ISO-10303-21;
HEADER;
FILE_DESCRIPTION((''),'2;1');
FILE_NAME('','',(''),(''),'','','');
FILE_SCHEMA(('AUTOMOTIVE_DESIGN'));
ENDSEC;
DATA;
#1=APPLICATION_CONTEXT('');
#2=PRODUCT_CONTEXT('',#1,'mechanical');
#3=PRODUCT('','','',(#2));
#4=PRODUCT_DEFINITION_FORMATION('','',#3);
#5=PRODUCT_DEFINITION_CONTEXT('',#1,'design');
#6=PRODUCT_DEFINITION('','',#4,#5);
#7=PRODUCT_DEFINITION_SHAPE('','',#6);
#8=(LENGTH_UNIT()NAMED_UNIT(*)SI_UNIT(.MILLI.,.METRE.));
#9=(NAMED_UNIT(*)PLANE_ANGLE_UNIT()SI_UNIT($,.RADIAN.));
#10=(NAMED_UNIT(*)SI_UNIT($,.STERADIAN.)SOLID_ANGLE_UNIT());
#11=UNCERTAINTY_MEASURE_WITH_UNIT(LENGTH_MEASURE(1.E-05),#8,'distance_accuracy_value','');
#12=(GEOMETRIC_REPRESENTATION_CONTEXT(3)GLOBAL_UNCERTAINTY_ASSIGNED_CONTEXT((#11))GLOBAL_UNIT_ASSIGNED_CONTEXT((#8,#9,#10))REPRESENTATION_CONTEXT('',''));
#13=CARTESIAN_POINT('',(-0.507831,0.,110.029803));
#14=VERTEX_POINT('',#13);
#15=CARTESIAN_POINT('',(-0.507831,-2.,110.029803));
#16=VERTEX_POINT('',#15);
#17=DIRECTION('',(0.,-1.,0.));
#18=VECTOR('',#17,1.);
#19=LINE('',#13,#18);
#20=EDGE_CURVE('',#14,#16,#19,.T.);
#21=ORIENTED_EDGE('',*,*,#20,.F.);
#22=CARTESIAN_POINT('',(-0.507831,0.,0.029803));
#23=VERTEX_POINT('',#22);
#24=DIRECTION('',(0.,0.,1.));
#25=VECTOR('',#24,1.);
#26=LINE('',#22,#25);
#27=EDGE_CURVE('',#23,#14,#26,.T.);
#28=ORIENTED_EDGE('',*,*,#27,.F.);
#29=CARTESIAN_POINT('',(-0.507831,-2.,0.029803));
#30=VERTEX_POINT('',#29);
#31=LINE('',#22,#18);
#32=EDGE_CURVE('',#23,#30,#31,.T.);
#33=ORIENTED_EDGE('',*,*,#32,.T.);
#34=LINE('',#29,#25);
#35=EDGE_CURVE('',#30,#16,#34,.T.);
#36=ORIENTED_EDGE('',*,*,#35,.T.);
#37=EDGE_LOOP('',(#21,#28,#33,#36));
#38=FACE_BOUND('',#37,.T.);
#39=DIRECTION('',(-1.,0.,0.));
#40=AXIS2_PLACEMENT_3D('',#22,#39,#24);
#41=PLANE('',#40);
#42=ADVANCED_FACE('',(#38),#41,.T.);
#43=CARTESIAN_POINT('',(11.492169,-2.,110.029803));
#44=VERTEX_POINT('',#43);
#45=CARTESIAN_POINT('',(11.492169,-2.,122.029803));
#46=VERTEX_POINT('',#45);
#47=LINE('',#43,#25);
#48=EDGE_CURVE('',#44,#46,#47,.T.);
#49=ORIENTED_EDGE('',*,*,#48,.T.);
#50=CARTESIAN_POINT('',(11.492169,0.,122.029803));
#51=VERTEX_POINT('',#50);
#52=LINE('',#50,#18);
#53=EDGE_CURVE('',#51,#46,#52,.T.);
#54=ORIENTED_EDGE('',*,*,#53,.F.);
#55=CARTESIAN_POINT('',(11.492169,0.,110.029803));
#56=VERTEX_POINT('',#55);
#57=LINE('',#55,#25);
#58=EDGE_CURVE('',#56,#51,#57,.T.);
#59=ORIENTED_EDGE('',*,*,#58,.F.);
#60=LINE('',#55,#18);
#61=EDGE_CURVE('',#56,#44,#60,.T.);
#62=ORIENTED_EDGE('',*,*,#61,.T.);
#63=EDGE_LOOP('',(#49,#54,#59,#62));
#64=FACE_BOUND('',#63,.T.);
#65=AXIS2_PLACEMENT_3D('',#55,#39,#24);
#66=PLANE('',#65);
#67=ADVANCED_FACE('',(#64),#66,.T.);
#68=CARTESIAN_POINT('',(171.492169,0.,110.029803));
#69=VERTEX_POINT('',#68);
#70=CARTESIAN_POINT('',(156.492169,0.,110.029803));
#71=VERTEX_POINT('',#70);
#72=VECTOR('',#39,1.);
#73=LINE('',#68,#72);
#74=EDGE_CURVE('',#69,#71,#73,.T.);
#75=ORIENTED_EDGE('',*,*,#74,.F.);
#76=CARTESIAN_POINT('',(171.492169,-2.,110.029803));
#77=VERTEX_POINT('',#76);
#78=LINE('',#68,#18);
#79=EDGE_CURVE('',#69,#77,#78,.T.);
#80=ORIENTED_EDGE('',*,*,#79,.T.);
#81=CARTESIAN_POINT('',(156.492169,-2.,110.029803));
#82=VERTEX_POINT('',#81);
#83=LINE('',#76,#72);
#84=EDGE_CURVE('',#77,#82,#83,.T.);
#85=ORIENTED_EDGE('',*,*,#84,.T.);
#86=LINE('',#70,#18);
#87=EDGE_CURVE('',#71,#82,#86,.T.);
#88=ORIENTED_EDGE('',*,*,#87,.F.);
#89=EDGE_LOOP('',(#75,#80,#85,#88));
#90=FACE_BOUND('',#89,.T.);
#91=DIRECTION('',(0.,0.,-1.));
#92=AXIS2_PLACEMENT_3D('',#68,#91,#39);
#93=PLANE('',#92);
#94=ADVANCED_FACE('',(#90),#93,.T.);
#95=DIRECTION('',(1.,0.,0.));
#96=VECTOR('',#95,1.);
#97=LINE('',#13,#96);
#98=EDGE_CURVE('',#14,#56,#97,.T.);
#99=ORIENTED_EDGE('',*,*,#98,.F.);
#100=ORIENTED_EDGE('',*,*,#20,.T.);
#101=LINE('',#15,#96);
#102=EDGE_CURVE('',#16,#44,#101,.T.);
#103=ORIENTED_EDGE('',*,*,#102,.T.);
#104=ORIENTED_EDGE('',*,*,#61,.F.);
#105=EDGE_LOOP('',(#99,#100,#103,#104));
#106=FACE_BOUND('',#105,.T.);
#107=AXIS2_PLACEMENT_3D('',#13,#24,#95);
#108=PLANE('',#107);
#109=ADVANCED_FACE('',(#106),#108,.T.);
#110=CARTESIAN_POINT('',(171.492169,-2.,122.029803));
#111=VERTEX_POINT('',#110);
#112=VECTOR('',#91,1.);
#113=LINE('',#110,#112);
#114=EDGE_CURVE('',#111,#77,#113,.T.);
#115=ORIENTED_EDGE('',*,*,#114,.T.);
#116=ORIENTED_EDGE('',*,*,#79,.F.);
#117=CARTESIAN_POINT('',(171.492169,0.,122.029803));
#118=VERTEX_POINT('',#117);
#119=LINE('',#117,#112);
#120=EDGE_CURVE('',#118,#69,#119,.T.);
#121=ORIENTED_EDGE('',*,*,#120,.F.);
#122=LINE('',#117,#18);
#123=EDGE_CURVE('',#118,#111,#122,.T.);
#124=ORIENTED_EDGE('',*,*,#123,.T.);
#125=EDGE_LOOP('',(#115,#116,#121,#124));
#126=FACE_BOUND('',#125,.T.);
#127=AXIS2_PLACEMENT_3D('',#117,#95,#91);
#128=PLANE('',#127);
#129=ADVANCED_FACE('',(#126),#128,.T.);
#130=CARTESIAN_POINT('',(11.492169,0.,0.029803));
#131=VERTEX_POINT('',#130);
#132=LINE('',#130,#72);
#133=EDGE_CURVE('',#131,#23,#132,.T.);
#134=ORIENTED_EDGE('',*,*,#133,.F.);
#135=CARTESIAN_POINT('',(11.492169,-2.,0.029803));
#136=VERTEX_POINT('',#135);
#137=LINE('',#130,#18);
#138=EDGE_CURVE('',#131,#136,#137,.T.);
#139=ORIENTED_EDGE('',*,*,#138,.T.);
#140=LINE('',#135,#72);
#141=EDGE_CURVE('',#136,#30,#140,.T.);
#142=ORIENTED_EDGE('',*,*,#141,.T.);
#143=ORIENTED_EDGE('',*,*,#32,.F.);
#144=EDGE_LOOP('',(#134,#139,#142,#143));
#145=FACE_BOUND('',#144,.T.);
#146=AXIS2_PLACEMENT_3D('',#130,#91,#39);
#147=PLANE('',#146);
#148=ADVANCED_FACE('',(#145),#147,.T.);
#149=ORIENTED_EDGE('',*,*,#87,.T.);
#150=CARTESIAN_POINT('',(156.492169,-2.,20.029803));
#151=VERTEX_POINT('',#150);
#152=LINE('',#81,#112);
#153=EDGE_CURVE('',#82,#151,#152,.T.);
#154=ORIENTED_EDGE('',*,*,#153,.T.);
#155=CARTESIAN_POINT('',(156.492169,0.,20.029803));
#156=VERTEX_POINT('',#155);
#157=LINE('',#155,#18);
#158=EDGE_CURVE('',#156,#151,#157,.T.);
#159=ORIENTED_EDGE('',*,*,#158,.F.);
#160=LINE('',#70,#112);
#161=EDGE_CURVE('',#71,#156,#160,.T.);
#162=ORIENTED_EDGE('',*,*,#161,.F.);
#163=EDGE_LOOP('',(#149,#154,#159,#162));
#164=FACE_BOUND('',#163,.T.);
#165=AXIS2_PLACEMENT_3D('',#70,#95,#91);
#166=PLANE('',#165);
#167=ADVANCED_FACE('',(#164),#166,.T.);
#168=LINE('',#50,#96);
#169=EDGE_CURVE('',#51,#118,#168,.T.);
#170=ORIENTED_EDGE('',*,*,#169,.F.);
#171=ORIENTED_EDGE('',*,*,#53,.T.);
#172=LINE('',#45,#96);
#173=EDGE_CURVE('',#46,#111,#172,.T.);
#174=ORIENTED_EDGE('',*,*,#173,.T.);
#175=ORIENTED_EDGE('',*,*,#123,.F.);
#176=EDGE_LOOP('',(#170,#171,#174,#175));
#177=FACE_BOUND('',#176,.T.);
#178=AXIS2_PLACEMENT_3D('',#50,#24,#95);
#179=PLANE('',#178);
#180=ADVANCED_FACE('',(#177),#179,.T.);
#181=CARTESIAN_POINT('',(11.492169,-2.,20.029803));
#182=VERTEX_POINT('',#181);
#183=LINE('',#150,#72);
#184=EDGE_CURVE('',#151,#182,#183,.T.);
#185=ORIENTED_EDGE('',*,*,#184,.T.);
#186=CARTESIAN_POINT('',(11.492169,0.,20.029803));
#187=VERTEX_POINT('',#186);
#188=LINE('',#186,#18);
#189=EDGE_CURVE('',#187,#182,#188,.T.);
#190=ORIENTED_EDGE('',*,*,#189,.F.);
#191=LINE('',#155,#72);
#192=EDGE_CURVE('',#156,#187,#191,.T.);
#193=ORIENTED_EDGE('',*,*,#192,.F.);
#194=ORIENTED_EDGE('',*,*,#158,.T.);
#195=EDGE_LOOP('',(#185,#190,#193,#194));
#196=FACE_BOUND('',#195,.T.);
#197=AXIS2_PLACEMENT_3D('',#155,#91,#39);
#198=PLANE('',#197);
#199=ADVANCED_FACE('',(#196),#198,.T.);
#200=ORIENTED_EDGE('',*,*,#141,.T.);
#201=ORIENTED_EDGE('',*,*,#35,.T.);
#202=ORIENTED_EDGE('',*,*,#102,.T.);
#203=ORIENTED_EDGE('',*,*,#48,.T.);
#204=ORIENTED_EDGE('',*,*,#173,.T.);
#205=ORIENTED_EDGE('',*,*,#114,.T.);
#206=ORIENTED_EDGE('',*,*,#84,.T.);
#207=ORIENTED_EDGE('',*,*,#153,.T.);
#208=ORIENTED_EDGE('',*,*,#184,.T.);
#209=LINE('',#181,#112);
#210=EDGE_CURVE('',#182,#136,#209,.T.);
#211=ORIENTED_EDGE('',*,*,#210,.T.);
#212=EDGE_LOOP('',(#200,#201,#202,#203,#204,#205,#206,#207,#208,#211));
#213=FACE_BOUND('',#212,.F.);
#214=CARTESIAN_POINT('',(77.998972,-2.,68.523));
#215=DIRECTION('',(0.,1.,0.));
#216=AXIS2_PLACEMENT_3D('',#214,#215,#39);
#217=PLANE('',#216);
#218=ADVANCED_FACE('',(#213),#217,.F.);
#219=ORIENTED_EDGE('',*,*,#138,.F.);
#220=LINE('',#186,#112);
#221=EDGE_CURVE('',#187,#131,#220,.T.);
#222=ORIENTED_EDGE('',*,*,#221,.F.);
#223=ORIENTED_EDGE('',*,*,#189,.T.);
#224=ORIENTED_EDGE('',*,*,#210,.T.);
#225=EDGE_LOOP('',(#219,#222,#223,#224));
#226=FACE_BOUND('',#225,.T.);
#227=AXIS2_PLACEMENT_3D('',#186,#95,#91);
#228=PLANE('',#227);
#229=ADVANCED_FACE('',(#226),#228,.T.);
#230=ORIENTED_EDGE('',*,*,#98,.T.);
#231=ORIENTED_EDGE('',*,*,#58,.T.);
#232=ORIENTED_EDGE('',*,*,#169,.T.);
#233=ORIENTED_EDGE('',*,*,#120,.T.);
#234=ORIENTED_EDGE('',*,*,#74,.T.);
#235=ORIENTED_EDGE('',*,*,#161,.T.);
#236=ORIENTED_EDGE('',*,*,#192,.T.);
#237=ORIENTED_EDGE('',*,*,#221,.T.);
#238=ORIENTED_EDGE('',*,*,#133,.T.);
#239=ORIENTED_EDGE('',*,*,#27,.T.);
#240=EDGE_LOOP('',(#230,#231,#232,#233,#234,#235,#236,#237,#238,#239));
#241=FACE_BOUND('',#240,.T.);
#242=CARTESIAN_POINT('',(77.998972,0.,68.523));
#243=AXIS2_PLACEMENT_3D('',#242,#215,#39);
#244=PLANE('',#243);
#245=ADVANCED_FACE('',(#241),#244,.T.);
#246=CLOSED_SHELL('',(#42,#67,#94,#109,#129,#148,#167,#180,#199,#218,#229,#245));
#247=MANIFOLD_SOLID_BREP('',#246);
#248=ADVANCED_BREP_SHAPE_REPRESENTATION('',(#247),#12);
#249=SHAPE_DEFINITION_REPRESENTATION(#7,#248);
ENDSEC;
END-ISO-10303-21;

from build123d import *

# Parameters (mm, degrees)
PAD_DEPTH = 2


with BuildPart() as part:
    # Sketch → Pad (new body)
    with BuildSketch(Plane.XZ):
        Polygon((-0.507831, 0.029803), (-0.507831, 110.029803), (11.492169, 110.029803), (11.492169, 122.029803), (171.492169, 122.029803), (171.492169, 110.029803), (156.492169, 110.029803), (156.492169, 20.029803), (11.492169, 20.029803), (11.492169, 0.029803), align=None)
    extrude(amount=PAD_DEPTH)


solid = part.part
